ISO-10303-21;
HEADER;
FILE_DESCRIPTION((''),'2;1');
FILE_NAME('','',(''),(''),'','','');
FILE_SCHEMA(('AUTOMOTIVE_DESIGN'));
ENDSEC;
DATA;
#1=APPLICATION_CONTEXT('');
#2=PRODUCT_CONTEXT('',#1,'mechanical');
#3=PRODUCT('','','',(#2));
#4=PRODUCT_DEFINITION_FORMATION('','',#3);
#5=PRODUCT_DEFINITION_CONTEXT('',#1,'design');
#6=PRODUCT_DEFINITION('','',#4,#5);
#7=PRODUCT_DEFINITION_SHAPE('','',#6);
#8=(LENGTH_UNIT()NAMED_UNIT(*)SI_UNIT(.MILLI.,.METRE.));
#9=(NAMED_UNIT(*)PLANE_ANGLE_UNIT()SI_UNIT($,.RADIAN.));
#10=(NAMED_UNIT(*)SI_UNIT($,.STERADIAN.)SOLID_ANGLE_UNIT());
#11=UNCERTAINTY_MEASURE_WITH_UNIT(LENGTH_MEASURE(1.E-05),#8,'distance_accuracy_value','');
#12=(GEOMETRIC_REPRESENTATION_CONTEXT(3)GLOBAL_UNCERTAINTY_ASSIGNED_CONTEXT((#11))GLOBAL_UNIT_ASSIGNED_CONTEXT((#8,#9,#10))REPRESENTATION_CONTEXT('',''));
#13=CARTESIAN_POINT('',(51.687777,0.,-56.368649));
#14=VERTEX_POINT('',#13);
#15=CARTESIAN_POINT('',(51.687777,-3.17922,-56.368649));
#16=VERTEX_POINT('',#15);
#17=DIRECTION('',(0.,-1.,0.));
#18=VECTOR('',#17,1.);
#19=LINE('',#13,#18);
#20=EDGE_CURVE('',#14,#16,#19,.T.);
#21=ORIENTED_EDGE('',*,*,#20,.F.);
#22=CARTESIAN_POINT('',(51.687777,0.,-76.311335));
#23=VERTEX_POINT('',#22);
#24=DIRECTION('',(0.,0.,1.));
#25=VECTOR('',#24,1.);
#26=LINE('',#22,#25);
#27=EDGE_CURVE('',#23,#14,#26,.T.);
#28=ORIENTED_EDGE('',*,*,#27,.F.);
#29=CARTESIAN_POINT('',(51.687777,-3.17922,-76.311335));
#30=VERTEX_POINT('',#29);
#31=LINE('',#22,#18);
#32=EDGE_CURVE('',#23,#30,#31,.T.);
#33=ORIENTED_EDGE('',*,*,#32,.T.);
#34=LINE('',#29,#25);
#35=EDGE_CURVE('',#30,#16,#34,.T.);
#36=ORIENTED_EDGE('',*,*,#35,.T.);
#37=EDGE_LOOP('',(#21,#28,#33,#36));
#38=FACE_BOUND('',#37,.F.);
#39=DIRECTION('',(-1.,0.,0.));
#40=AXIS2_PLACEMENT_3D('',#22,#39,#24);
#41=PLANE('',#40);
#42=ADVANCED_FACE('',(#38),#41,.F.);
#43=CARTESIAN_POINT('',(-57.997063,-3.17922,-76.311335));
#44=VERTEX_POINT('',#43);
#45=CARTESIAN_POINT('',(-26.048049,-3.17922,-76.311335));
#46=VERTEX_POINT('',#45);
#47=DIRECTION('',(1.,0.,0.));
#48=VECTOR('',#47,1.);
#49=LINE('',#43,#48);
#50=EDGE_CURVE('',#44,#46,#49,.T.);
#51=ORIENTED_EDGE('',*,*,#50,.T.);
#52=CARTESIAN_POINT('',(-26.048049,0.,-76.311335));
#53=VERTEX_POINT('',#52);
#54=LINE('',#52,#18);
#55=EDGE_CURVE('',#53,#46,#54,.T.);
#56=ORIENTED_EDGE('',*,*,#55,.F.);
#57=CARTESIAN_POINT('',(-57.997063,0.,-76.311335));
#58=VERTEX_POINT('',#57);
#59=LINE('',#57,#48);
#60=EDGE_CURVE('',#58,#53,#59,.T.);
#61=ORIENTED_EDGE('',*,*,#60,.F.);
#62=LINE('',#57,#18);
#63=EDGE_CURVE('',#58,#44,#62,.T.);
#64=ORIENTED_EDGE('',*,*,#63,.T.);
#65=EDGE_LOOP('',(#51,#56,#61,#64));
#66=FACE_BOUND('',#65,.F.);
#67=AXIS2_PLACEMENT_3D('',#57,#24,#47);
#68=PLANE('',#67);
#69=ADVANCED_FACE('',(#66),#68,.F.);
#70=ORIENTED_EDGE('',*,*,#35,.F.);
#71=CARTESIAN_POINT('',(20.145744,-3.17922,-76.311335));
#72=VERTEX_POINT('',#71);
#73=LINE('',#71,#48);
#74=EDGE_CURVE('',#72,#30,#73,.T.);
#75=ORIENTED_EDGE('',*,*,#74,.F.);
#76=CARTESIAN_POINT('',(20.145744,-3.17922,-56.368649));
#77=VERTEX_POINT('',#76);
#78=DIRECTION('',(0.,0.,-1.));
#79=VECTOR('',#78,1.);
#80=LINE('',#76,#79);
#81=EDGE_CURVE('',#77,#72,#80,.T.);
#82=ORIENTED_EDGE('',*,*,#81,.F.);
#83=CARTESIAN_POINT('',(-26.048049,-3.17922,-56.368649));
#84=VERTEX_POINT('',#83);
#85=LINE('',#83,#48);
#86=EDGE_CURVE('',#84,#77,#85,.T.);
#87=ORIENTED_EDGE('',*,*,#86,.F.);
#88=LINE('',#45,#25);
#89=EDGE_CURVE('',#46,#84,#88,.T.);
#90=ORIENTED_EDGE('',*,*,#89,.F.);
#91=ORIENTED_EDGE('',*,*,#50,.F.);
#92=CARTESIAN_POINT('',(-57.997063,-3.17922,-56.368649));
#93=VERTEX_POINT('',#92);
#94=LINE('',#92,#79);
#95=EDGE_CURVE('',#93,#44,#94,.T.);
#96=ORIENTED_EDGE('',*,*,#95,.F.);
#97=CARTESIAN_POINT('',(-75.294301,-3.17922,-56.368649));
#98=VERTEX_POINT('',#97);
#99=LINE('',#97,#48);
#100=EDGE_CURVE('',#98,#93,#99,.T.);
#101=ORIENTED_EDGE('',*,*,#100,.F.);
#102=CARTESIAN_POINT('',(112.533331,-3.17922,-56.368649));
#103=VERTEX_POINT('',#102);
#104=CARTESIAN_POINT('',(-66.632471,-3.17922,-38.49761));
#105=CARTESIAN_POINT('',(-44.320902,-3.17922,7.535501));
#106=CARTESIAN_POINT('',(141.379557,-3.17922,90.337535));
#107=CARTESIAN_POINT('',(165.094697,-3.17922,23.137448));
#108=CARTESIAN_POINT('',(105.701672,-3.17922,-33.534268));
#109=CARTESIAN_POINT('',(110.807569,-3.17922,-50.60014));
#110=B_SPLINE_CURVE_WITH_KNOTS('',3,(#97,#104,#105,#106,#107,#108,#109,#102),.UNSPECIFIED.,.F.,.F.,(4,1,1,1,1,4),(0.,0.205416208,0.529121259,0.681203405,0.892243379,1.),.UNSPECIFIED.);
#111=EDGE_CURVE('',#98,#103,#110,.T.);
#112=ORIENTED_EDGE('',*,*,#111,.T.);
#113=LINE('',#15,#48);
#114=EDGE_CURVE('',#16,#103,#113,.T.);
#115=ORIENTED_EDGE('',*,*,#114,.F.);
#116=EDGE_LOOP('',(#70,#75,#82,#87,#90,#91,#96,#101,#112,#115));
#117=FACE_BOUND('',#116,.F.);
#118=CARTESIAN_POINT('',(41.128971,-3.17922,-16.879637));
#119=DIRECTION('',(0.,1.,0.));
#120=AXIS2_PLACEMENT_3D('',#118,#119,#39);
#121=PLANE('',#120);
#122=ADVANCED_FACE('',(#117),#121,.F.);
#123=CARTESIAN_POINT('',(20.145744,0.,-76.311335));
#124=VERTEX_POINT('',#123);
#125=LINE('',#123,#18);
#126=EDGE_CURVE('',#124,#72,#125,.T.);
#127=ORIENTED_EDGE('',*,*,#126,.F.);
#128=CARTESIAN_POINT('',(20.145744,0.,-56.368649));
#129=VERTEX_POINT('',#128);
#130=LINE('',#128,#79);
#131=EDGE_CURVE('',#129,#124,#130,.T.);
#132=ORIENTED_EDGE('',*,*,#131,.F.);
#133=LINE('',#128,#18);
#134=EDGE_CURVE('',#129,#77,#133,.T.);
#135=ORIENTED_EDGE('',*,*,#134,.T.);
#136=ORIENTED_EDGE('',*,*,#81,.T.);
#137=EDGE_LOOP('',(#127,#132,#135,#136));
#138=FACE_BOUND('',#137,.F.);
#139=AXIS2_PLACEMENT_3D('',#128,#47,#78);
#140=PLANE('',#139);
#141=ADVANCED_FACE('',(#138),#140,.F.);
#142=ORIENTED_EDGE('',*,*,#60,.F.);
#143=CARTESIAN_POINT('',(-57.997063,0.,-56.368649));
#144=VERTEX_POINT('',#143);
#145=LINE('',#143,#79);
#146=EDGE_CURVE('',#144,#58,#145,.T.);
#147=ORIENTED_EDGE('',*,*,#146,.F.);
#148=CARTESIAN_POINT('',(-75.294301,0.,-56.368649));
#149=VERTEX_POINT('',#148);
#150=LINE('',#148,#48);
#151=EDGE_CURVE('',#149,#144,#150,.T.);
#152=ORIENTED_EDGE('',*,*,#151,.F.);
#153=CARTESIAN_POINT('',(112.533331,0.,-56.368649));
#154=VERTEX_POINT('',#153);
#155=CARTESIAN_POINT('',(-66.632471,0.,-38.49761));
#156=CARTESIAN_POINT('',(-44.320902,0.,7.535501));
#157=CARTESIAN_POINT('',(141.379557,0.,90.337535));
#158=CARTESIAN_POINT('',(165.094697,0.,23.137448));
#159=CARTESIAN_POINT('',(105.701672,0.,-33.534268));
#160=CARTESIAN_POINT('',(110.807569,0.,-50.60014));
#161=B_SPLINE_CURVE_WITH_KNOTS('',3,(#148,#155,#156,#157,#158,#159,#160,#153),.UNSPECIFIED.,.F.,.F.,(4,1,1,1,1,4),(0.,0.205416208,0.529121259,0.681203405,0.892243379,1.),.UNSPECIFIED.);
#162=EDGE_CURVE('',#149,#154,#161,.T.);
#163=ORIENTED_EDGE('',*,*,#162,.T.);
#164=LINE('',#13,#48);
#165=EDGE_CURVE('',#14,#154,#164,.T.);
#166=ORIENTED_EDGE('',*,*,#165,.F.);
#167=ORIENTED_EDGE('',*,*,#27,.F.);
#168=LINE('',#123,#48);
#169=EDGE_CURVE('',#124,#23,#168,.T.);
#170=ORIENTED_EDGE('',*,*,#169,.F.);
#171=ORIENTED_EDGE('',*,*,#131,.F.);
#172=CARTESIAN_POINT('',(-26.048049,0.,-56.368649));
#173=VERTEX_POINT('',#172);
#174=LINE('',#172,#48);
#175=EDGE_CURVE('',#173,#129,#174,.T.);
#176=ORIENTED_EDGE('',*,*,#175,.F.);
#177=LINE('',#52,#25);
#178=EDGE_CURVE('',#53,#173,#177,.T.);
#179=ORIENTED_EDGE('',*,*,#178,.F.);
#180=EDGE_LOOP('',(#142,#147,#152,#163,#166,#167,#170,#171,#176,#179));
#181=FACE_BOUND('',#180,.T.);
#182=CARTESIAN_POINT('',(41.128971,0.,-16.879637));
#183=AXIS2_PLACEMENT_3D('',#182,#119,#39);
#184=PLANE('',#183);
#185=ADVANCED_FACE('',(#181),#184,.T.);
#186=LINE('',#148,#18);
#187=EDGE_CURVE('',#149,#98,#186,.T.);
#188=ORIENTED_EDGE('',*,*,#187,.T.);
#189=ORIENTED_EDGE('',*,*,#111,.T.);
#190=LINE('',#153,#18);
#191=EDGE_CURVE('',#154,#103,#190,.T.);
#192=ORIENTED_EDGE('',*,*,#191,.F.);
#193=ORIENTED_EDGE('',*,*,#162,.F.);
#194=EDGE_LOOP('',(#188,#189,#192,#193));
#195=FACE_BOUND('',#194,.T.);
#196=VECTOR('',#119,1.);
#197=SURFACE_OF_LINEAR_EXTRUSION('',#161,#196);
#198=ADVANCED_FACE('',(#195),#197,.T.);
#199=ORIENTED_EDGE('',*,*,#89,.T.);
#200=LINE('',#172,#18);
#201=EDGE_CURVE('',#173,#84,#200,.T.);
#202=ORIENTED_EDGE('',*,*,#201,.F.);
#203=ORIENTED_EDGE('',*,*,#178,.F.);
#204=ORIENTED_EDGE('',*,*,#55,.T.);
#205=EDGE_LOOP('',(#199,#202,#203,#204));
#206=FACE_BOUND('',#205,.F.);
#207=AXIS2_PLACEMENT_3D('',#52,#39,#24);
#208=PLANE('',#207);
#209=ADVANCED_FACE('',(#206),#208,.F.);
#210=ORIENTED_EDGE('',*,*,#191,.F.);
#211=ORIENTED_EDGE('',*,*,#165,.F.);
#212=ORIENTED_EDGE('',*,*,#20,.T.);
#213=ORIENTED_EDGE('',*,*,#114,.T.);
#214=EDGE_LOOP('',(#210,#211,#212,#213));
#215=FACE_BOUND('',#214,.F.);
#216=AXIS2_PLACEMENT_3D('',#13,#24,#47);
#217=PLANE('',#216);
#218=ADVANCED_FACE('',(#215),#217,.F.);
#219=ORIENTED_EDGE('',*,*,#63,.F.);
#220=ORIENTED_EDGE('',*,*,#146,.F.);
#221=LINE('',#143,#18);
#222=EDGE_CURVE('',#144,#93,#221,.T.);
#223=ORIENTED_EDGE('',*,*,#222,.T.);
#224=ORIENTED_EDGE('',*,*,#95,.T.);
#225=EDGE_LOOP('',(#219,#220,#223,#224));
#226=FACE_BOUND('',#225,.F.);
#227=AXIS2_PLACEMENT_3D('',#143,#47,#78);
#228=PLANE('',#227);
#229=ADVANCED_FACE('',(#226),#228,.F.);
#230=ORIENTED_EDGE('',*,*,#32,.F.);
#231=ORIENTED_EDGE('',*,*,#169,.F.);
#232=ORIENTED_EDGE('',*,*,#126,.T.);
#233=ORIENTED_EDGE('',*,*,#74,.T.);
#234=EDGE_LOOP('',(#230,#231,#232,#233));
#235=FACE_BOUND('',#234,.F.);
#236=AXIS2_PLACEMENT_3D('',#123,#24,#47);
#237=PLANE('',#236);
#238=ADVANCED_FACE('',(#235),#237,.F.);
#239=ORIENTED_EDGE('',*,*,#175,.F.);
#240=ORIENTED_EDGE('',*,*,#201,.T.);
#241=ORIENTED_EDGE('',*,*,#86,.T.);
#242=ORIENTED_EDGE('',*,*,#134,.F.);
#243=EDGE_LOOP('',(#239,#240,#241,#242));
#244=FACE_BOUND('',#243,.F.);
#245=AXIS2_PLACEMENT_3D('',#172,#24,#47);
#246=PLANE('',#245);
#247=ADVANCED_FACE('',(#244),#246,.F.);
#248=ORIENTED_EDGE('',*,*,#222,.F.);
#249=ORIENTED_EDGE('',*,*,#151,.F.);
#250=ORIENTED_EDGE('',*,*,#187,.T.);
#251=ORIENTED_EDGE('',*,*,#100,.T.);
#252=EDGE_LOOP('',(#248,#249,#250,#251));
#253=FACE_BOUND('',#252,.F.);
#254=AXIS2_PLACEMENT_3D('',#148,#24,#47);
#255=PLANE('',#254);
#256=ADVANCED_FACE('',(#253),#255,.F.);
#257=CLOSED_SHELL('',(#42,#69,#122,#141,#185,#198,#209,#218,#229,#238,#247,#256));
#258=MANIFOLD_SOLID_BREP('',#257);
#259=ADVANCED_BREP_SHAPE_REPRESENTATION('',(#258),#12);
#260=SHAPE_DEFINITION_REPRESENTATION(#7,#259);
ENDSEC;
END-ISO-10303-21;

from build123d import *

# Parameters (mm, degrees)
F1_DEPTH = 3.1792204827


with BuildPart() as f1:
    # F0 (on Front) → F1 (new body)
    with BuildSketch(Plane.XZ):
        with BuildLine():
            add(Edge.make_bspline(
                [(-75.2943009138, -56.3686490059), (-66.6324711802, -38.4976097954), (-44.3209020412, 7.5355012309), (141.3795574006, 90.3375353659), (165.0946965175, 23.1374477041), (105.7016720437, -33.5342675022), (110.8075686828, -50.6001397281), (112.5333309174, -56.3686490059)],
                knots=[0, 0, 0, 0, 0.2054162082, 0.5291212594, 0.6812034053, 0.8922433787, 1, 1, 1, 1], degree=3))
            Line((-75.2943009138, -56.3686490059), (-57.9970628023, -56.3686490059))
            Line((-57.9970628023, -56.3686490059), (-57.9970628023, -76.3113349676))
            Line((-57.9970628023, -76.3113349676), (-26.0480493307, -76.3113349676))
            Line((-26.0480493307, -76.3113349676), (-26.0480493307, -56.3686490059))
            Line((-26.0480493307, -56.3686490059), (20.1457440853, -56.3686490059))
            Line((20.1457440853, -56.3686490059), (20.1457440853, -76.3113349676))
            Line((20.1457440853, -76.3113349676), (51.6877770424, -76.3113349676))
            Line((51.6877770424, -76.3113349676), (51.6877770424, -56.3686490059))
            Line((51.6877770424, -56.3686490059), (112.5333309174, -56.3686490059))
        make_face()
    extrude(amount=F1_DEPTH)


solid = f1.part
